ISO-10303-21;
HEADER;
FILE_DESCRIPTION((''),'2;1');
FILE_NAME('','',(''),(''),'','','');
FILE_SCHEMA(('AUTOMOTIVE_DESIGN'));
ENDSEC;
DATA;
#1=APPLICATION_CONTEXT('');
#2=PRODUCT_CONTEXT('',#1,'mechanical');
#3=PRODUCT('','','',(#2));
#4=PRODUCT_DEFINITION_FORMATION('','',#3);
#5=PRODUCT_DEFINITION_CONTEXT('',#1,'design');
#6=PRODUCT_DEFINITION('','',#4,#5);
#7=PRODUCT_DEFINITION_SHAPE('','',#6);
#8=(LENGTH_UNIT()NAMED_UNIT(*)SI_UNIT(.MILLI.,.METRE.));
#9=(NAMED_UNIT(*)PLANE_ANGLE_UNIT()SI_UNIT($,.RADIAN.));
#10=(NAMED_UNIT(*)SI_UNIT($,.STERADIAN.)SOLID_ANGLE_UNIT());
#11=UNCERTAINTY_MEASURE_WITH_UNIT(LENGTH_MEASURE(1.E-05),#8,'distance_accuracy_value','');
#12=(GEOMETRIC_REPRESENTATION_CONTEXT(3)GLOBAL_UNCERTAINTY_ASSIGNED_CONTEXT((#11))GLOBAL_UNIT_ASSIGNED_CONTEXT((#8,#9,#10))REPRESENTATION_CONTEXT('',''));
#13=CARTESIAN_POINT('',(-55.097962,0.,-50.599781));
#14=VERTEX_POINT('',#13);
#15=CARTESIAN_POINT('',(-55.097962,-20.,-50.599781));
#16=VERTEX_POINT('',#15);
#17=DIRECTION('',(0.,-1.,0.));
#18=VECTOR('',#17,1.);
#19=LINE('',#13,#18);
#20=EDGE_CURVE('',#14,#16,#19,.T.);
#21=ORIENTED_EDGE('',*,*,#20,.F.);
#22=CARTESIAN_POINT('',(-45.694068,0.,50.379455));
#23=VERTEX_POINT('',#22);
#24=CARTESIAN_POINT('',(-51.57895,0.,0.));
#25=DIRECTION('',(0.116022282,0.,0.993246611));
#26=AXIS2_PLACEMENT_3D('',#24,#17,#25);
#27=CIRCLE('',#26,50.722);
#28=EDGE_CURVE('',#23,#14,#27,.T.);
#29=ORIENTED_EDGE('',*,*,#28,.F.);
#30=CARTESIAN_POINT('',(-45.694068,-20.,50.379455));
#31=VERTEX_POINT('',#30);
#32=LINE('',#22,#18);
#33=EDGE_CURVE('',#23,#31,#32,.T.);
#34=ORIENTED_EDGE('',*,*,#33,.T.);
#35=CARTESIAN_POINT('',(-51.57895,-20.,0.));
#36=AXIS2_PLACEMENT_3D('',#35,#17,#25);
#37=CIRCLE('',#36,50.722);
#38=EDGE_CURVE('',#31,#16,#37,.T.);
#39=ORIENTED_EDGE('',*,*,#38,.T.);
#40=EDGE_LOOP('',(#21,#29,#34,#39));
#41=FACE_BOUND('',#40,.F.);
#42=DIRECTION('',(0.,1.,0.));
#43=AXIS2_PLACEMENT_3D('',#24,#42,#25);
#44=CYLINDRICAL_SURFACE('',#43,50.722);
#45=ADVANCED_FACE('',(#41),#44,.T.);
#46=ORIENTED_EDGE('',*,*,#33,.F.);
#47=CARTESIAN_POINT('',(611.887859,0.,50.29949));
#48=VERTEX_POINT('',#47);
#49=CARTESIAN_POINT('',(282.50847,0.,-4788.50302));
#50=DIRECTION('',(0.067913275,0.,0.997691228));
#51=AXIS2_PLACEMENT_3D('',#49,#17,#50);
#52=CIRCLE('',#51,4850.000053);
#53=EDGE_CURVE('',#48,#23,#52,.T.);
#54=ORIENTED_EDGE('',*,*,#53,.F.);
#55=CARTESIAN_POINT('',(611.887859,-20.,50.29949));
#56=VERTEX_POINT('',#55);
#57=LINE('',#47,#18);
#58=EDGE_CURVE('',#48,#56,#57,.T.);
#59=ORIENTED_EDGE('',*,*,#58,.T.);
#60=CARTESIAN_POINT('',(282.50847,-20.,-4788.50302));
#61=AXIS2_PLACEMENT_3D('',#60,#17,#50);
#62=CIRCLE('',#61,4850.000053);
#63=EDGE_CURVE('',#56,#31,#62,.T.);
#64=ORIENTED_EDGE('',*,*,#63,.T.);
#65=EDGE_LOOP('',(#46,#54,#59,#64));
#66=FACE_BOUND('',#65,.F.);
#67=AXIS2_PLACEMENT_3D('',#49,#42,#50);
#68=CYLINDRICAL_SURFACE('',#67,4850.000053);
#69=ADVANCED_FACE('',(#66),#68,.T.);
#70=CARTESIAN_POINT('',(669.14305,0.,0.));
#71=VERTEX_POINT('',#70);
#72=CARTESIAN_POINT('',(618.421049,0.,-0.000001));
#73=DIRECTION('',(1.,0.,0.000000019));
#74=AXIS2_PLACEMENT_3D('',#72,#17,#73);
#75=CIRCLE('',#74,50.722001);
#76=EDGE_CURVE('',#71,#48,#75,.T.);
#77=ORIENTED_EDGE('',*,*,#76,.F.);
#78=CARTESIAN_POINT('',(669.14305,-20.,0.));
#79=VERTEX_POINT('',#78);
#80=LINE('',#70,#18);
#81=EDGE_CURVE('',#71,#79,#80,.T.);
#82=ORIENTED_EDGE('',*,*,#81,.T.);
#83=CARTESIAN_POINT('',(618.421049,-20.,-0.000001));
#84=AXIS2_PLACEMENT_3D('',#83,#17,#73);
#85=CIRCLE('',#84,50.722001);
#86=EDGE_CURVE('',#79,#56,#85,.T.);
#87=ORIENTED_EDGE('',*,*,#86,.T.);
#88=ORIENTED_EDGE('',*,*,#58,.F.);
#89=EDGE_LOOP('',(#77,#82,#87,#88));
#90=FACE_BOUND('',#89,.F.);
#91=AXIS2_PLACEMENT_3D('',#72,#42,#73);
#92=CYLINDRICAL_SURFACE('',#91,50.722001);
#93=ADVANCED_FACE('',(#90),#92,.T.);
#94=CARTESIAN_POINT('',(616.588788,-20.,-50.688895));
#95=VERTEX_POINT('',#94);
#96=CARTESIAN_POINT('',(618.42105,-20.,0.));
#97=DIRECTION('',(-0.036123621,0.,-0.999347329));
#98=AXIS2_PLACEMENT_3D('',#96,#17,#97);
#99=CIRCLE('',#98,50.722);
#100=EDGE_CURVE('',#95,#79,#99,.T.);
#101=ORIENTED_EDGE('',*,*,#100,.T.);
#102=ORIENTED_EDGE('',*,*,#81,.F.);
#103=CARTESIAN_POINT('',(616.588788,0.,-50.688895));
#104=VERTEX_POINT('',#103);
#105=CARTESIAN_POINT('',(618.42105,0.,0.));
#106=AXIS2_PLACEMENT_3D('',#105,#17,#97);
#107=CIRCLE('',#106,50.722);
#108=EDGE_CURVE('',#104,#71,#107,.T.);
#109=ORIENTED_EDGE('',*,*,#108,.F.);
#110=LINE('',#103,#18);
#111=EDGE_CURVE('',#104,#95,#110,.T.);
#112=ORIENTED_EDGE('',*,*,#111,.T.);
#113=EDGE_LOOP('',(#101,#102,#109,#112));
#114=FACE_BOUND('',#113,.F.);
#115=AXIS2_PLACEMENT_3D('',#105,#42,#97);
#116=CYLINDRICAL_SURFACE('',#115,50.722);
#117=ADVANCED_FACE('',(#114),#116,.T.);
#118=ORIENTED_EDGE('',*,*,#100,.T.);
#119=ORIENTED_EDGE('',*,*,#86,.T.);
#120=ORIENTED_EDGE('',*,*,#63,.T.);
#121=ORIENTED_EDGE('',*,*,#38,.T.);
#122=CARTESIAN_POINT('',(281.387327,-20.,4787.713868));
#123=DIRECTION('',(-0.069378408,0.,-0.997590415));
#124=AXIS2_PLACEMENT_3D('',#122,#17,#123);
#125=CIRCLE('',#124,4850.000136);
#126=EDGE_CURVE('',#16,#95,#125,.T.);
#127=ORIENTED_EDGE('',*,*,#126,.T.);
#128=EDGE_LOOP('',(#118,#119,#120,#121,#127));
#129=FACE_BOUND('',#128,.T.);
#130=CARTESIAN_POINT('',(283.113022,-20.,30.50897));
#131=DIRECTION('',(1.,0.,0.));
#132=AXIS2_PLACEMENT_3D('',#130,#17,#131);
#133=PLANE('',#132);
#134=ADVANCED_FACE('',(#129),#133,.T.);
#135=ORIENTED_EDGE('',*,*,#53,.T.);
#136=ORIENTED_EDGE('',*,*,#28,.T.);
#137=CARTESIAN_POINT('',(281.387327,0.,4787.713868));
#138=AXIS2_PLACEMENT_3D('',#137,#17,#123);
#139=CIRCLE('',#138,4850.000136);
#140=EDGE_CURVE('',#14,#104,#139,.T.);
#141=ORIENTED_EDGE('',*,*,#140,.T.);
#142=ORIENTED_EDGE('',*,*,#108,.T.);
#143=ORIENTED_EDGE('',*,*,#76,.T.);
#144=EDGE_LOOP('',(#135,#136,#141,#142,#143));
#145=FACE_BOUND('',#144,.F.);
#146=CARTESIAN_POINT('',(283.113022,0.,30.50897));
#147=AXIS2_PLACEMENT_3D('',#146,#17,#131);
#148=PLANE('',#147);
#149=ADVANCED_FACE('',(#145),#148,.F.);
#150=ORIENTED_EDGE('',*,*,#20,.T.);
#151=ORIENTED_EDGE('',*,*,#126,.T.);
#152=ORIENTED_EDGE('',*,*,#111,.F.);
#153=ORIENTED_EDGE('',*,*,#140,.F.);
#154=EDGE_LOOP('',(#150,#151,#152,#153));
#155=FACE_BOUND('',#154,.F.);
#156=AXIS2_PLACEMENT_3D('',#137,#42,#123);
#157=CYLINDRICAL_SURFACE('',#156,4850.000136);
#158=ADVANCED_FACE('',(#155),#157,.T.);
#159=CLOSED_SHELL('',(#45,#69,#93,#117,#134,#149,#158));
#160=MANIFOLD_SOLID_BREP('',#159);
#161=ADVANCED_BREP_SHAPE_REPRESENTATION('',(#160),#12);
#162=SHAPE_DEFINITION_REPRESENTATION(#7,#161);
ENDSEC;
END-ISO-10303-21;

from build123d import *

# Parameters (mm, degrees)
F1_DEPTH = 20


with BuildPart() as f1:
    # F0 (on Front) → F1 (new body)
    with BuildSketch(Plane.XZ):
        with BuildLine():
            ThreePointArc((-45.694068, 50.379455), (-13.689544, 33.721123), (-0.85695, 0))
            Line((-0.85695, 0), (567.69905, 0))
            ThreePointArc((567.69905, 0), (580.31529, 33.476445), (611.887859, 50.29949))
            ThreePointArc((611.887859, 50.29949), (283.098252, 61.496997), (-45.694068, 50.379455))
        make_face()
        with BuildLine():
            ThreePointArc((-55.097962, -50.599781), (-16.979601, -37.089167), (-0.85695, 0))
            ThreePointArc((-0.85695, 0), (-13.689544, 33.721123), (-45.694068, 50.379455))
            ThreePointArc((-45.694068, 50.379455), (-102.082424, 4.703237), (-55.097962, -50.599781))
        make_face()
        with BuildLine():
            Line((567.69905, 0), (-0.85695, 0))
            ThreePointArc((-0.85695, 0), (-16.979601, -37.089167), (-55.097962, -50.599781))
            ThreePointArc((-55.097962, -50.599781), (280.743869, -62.286225), (616.588788, -50.688895))
            ThreePointArc((616.588788, -50.688895), (581.913124, -35.212109), (567.69905, 0))
        make_face()
        with BuildLine():
            ThreePointArc((611.887859, 50.29949), (580.31529, 33.476445), (567.69905, 0))
            ThreePointArc((567.69905, 0), (581.913124, -35.212109), (616.588788, -50.688895))
            ThreePointArc((616.588788, -50.688895), (653.633159, -36.507926), (669.14305, 0))
            ThreePointArc((669.14305, 0), (651.897495, 38.105759), (611.887859, 50.29949))
        make_face()
    extrude(amount=F1_DEPTH)


solid = f1.part
